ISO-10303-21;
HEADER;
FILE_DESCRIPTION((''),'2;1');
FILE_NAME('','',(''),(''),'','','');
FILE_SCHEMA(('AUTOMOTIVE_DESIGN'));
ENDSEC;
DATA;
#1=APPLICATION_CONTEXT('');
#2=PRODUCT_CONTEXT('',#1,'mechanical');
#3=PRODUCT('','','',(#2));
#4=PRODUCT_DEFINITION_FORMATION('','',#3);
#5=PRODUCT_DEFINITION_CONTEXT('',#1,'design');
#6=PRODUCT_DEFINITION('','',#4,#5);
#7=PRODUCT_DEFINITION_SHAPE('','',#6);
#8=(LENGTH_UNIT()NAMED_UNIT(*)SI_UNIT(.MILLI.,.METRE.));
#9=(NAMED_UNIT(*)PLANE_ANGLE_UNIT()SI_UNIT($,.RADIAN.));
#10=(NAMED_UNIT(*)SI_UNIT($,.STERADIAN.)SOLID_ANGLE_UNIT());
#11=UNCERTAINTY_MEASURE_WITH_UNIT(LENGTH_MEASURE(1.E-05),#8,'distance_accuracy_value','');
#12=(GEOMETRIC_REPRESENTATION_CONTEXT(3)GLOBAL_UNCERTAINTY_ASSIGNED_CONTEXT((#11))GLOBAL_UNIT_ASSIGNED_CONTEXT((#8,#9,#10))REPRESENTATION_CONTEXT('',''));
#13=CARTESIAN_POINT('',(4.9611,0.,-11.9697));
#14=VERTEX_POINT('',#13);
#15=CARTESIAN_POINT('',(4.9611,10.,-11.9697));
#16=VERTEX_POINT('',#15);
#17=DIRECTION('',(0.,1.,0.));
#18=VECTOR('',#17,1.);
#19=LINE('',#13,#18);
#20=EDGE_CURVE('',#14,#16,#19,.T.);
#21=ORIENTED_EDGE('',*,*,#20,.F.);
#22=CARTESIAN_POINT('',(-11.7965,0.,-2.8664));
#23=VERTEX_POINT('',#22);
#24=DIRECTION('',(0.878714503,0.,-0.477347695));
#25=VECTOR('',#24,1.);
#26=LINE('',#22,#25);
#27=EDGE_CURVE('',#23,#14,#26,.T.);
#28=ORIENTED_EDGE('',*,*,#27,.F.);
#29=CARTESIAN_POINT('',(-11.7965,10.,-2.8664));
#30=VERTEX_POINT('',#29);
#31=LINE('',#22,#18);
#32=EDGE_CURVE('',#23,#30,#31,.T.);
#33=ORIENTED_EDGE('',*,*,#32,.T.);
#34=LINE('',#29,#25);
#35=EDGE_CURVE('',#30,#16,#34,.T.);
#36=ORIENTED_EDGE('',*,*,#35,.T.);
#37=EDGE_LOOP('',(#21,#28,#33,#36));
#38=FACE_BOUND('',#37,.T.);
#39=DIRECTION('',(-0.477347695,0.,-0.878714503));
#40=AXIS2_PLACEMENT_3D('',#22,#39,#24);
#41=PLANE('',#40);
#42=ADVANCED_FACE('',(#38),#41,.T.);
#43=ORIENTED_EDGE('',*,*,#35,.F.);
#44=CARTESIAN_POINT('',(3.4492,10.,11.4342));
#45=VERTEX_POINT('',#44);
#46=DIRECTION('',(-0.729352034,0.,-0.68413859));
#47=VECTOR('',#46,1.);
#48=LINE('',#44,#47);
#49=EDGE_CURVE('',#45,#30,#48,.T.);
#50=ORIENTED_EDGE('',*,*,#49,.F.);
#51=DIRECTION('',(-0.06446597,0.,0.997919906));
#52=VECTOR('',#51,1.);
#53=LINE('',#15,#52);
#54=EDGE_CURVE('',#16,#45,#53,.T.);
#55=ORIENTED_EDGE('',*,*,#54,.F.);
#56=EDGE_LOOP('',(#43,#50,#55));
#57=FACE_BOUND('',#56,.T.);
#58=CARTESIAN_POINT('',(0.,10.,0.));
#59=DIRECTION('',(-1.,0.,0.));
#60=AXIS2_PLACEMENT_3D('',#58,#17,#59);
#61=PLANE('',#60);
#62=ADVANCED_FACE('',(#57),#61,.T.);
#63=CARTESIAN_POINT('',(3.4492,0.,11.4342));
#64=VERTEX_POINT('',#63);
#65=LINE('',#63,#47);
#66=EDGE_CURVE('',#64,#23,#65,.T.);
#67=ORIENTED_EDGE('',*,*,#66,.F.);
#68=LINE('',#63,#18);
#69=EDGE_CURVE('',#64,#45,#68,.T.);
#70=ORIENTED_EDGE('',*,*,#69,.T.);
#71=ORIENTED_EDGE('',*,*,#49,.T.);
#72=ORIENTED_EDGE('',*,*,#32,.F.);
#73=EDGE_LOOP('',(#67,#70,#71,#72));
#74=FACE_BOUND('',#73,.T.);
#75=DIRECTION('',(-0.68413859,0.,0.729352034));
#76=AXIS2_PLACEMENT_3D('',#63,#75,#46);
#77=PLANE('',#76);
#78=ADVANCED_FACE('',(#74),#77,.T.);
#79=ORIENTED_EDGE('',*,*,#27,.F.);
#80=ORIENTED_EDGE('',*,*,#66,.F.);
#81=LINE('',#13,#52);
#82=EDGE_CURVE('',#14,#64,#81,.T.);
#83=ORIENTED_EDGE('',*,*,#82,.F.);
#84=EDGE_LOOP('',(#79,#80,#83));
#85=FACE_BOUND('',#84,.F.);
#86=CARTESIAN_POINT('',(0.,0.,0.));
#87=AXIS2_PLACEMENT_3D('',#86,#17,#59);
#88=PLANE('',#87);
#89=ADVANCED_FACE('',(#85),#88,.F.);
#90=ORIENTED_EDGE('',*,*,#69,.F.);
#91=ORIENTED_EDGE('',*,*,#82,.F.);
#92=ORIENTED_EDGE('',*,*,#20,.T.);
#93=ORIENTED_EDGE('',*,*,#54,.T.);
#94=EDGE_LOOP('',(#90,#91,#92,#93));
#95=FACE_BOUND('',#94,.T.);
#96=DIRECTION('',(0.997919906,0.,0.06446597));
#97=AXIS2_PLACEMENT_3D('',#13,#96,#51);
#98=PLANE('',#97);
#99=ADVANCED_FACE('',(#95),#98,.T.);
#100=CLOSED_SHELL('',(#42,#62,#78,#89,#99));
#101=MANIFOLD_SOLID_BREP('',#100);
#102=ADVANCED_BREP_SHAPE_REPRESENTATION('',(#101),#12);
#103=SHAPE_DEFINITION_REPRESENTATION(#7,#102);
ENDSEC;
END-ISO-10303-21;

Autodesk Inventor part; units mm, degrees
ref_plane "YZ Plane" through (0, 0, 0) normal (1, 0, 0) x (0, 1, 0)
ref_plane "XZ Plane" through (0, 0, 0) normal (0, 1, 0) x (-1, 0, 0)
ref_plane "XY Plane" through (0, 0, 0) normal (0, 0, 1) x (1, 0, 0)
sketch "Sketch1" plane through (0, 0, 0) normal (0, 1, 0) x (-1, 0, 0)
  line L0 (-3.4492, 11.4342) -> (11.7965, -2.8664)
  line L1 (11.7965, -2.8664) -> (-4.9611, -11.9697)
  line L2 (-4.9611, -11.9697) -> (-3.4492, 11.4342)
  point P0 (0, 0)
extrude "Extrusion1" add sketch "Sketch1" along normal blind 10
properties part number "Triangle"
